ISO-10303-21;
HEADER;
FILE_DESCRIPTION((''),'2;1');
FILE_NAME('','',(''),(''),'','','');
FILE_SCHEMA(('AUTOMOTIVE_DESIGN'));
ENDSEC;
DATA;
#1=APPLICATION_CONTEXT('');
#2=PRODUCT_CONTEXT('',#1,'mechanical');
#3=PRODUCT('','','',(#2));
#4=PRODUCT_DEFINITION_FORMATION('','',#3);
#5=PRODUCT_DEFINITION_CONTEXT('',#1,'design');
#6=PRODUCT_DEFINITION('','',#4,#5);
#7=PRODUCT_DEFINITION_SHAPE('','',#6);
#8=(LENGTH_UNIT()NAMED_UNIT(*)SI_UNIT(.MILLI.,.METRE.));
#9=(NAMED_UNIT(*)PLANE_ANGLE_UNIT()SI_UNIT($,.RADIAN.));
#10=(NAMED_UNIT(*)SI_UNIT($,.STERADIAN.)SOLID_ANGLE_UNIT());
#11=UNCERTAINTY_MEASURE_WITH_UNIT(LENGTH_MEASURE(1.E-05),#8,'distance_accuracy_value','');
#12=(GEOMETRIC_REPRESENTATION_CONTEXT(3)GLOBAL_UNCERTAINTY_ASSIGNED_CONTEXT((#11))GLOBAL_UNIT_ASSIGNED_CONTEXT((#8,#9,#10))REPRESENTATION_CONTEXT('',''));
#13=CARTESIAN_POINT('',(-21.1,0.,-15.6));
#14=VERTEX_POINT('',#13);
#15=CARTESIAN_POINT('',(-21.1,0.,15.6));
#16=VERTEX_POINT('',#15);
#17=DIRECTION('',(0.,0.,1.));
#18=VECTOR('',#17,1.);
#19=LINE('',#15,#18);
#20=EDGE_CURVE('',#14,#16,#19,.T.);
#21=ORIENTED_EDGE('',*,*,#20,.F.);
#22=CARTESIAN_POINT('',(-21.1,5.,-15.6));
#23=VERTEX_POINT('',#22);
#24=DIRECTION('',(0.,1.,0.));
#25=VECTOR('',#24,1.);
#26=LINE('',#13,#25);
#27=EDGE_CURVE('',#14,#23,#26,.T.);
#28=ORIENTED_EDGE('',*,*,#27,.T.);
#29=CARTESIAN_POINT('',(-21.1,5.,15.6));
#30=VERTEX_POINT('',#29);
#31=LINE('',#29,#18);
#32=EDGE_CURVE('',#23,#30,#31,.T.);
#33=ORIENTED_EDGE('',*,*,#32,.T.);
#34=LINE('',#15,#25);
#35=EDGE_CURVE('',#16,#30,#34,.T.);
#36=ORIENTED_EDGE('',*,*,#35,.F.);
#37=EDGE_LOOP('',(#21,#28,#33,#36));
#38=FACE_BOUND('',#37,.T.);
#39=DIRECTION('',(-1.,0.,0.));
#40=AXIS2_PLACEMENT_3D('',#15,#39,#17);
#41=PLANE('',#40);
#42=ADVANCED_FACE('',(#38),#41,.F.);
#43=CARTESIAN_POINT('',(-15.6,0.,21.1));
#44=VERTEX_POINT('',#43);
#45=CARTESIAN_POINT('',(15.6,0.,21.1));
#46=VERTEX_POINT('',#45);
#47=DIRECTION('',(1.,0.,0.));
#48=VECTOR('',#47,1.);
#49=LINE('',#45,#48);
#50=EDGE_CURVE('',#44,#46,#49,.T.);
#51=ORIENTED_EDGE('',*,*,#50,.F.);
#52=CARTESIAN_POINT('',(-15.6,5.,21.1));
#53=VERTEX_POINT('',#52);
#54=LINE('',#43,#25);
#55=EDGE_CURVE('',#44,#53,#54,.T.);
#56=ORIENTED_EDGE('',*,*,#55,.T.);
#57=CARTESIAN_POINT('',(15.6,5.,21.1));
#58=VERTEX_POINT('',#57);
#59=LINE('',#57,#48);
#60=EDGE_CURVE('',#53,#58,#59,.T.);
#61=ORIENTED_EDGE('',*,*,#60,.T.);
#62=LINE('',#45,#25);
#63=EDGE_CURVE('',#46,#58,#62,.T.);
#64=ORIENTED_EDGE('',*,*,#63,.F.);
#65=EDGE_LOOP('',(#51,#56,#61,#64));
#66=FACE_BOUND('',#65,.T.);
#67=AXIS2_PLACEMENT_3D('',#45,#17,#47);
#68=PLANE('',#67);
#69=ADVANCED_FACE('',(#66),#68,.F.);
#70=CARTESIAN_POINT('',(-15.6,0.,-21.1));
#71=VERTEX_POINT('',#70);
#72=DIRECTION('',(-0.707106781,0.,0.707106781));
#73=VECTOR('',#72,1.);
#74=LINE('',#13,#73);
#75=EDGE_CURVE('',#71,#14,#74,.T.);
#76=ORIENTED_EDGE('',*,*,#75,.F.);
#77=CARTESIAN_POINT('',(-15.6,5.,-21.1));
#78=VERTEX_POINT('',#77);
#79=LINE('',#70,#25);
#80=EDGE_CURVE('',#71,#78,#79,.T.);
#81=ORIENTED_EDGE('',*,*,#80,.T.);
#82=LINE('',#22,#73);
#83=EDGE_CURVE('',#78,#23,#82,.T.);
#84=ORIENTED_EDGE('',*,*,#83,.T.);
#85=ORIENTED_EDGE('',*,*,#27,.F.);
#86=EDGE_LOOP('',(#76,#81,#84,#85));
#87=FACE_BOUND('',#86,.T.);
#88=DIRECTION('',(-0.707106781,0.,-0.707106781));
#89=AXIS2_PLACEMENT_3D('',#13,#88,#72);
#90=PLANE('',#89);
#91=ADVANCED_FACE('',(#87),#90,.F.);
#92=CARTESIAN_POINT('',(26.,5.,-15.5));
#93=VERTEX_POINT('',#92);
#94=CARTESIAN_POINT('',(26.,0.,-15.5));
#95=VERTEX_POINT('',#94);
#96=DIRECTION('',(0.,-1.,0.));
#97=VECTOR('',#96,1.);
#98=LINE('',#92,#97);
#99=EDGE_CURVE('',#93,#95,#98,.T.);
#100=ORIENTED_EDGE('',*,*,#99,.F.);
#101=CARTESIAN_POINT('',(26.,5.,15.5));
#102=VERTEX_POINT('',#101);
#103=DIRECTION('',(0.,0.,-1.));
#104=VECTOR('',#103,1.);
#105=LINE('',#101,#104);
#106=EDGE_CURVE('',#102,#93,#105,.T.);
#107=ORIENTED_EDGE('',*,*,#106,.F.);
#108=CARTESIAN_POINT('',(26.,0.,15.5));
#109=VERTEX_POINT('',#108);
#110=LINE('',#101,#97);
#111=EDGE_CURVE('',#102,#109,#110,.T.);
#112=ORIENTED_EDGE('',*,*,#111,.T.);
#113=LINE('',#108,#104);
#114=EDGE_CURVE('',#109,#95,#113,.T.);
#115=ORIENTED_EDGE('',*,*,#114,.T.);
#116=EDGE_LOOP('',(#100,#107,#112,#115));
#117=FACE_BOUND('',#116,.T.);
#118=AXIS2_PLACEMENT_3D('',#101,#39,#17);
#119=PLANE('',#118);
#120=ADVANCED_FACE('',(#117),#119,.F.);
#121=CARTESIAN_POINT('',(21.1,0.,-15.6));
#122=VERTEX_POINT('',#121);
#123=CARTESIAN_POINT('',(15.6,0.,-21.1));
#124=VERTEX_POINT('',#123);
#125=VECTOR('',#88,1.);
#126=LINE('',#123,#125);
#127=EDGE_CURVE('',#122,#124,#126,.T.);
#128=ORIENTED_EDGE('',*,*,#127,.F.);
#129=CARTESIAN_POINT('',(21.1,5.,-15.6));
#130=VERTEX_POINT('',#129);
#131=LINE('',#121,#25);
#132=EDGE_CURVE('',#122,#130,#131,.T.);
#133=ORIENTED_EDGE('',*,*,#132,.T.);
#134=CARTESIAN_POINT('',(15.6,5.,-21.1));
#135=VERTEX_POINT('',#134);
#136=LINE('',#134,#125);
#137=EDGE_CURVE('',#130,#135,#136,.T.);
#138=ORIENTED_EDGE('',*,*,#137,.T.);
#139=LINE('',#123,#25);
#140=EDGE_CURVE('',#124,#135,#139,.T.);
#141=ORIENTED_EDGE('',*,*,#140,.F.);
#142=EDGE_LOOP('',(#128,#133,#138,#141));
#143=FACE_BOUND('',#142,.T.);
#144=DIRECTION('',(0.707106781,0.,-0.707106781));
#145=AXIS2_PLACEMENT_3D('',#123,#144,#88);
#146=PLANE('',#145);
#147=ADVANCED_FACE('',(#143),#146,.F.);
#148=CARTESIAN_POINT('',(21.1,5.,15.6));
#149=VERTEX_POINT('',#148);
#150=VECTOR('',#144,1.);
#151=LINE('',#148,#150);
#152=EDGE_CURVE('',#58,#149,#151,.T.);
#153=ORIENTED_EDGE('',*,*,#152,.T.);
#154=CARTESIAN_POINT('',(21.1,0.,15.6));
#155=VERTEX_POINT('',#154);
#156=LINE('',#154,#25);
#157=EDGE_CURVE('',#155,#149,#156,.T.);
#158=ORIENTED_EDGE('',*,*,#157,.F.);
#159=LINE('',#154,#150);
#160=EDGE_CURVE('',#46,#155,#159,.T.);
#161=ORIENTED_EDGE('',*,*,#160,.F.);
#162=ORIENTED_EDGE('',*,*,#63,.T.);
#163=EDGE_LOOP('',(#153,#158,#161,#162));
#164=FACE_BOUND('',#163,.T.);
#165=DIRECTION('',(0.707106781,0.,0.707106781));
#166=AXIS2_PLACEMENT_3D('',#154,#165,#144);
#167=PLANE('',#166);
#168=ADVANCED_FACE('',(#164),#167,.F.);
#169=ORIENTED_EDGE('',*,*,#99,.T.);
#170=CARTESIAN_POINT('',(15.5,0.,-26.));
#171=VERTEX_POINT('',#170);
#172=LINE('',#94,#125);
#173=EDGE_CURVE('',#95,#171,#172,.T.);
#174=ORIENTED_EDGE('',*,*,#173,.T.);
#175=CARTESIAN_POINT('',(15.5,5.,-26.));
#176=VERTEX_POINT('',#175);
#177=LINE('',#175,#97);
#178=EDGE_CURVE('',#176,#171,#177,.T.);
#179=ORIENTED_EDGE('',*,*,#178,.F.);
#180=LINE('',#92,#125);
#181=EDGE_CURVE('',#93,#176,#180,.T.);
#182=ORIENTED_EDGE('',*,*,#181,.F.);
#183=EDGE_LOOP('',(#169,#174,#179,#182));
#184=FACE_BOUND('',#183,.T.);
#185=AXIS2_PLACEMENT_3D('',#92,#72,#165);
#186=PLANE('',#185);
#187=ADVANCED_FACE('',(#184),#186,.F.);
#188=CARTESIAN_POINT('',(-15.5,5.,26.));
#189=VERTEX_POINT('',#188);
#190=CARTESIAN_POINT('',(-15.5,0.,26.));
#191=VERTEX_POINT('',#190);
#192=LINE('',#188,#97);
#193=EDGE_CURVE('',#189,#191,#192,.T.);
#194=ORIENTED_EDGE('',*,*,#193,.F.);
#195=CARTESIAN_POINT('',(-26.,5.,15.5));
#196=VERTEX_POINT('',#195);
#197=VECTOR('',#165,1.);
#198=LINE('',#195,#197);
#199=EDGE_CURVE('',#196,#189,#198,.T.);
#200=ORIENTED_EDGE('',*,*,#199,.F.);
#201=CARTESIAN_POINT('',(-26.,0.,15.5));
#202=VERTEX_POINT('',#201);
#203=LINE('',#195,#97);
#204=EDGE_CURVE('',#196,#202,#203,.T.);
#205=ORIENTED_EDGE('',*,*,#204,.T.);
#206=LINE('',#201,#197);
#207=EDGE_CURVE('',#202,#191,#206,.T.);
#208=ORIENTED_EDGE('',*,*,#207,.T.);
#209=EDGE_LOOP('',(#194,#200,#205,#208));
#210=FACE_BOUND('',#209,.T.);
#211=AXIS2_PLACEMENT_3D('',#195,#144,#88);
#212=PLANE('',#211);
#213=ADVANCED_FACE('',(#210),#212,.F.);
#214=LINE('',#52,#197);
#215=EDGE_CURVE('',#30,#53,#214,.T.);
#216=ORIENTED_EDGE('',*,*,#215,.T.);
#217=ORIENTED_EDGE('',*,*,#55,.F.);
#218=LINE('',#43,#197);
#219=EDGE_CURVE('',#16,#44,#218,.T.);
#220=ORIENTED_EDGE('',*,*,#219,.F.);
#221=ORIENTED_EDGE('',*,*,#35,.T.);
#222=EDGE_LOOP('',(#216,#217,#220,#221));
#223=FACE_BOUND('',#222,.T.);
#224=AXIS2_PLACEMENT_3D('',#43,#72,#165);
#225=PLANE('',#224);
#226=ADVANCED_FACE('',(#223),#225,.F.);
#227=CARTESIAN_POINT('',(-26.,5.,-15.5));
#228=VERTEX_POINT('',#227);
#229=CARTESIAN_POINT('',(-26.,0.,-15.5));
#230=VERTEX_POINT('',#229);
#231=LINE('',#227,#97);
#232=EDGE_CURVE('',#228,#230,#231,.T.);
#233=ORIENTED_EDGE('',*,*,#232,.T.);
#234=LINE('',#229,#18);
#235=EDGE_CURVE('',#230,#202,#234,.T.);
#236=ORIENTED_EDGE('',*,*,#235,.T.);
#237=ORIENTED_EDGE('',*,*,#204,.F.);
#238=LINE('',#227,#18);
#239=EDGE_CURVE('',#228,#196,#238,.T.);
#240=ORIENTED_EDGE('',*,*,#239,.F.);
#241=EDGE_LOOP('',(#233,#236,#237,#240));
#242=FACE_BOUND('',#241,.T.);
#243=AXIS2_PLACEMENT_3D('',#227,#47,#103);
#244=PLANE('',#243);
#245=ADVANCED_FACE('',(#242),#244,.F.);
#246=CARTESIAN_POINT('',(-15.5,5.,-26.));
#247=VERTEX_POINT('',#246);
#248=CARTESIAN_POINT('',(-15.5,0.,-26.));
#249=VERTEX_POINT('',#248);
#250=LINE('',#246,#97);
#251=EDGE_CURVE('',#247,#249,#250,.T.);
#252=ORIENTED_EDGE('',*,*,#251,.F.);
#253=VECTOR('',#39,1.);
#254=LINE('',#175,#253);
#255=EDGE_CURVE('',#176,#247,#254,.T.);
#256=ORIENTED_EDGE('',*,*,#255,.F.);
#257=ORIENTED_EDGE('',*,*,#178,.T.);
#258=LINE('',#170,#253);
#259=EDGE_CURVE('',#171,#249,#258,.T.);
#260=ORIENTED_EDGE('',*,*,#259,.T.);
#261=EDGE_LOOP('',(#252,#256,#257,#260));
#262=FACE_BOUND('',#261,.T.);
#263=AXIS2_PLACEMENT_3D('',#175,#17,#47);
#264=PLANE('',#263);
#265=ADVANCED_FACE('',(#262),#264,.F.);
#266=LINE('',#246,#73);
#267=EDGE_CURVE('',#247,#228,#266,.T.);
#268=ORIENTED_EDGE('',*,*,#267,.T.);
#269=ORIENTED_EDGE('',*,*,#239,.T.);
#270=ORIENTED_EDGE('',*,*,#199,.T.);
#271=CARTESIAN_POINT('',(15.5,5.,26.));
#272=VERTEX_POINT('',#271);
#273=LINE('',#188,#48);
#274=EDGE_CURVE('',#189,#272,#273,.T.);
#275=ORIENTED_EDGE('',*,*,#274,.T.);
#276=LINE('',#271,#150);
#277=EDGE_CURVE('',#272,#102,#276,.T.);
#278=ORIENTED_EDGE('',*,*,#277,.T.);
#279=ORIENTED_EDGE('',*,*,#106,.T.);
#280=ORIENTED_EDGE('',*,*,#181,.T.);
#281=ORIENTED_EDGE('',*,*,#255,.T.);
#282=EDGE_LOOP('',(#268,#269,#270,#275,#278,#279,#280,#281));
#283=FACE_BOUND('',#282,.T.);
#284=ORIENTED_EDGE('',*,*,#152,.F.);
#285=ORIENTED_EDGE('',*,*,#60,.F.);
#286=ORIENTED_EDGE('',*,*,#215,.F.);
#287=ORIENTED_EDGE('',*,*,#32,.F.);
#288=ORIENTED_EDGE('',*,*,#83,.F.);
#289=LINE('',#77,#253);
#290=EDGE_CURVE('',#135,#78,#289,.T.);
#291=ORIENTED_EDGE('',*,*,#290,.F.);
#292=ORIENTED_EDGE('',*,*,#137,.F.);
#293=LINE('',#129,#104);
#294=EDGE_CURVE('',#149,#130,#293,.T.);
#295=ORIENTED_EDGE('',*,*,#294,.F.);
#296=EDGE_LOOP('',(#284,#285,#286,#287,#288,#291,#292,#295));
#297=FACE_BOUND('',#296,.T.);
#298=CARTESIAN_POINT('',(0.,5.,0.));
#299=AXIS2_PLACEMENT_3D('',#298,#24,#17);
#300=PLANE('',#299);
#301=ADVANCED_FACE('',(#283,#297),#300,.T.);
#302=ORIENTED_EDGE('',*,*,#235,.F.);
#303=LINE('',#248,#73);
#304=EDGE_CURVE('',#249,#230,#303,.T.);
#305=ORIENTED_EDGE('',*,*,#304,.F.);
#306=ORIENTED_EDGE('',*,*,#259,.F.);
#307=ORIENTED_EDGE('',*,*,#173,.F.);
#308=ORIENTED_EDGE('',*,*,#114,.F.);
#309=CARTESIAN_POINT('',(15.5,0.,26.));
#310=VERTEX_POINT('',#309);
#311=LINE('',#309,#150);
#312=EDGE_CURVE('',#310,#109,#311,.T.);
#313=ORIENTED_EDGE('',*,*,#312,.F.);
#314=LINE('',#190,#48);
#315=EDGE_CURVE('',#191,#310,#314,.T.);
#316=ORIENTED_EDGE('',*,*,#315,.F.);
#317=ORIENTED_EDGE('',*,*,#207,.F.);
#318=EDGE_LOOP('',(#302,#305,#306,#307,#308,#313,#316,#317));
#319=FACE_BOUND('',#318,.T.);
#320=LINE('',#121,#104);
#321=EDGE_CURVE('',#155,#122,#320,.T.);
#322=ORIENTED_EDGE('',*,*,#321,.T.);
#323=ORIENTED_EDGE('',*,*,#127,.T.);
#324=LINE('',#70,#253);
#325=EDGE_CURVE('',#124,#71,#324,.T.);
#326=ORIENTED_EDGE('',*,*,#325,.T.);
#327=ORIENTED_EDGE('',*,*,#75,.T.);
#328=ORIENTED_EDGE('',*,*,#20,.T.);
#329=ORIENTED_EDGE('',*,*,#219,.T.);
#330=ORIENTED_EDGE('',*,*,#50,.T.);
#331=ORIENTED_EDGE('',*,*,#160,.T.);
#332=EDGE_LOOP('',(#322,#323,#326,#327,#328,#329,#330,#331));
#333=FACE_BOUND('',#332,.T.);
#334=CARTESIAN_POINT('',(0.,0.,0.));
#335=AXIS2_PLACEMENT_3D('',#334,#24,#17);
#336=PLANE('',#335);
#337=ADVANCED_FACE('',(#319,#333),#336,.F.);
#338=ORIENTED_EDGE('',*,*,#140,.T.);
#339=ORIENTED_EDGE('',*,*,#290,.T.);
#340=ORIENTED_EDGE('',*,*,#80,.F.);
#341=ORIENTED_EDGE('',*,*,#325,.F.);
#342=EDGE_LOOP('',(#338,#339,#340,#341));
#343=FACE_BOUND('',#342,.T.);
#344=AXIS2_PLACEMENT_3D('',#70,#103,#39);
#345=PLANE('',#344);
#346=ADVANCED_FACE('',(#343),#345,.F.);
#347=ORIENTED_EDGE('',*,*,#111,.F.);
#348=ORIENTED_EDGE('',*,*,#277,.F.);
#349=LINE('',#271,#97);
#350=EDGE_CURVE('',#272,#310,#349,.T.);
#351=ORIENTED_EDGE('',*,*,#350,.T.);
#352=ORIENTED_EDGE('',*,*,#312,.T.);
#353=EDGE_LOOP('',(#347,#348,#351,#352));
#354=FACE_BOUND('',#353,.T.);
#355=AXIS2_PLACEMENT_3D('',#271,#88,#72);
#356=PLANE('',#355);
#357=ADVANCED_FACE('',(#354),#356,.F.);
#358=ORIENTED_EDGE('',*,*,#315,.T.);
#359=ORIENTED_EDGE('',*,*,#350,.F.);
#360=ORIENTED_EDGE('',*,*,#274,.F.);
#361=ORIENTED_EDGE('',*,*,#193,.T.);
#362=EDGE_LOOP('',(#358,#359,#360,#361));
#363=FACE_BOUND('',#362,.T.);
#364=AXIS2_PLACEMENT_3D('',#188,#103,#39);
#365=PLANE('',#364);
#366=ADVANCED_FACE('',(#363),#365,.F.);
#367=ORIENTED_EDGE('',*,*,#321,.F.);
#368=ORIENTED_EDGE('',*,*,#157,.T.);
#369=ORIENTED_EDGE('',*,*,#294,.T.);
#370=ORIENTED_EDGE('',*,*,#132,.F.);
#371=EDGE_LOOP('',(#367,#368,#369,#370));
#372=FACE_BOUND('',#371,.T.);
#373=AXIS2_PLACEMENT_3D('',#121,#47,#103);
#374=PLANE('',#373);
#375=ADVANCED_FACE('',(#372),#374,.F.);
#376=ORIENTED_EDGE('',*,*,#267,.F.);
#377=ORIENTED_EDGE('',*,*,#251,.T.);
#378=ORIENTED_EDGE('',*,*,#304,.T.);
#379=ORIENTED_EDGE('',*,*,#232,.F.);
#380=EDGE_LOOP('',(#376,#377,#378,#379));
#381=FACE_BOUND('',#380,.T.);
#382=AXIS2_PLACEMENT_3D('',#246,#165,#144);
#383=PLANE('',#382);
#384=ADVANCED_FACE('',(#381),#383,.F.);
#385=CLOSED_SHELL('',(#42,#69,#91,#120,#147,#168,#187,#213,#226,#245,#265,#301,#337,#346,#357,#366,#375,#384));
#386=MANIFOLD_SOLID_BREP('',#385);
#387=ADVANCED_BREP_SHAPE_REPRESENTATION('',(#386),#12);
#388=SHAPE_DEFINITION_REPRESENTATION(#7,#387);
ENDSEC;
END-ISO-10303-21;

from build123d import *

# Parameters (mm, degrees)
BOSS_EXTRUDE1_DEPTH = 5
CUT_EXTRUDE1_DEPTH  = 5


with BuildPart() as part:
    # Sketch2 → Boss-Extrude1 (new body)
    with BuildSketch(Plane(origin=(0, 0, 0), x_dir=(1, 0, 0), z_dir=(0, 1, 0))):
        Polygon((-15.5, -26), (15.5, -26), (26, -15.5), (26, 15.5), (15.5, 26), (-15.5, 26), (-26, 15.5), (-26, -15.5), align=None)
    extrude(amount=BOSS_EXTRUDE1_DEPTH)

    # Sketch3 → Cut-Extrude1 (cut)
    with BuildSketch(Plane(origin=(0, 5, 0), x_dir=(1, 0, 0), z_dir=(0, 1, 0))):
        Polygon((-21.1, -15.6), (-21.1, 15.6), (-15.6, 21.1), (15.6, 21.1), (21.1, 15.6), (21.1, -15.6), (15.6, -21.1), (-15.6, -21.1), align=None)
    extrude(amount=-CUT_EXTRUDE1_DEPTH, mode=Mode.SUBTRACT)


solid = part.part
